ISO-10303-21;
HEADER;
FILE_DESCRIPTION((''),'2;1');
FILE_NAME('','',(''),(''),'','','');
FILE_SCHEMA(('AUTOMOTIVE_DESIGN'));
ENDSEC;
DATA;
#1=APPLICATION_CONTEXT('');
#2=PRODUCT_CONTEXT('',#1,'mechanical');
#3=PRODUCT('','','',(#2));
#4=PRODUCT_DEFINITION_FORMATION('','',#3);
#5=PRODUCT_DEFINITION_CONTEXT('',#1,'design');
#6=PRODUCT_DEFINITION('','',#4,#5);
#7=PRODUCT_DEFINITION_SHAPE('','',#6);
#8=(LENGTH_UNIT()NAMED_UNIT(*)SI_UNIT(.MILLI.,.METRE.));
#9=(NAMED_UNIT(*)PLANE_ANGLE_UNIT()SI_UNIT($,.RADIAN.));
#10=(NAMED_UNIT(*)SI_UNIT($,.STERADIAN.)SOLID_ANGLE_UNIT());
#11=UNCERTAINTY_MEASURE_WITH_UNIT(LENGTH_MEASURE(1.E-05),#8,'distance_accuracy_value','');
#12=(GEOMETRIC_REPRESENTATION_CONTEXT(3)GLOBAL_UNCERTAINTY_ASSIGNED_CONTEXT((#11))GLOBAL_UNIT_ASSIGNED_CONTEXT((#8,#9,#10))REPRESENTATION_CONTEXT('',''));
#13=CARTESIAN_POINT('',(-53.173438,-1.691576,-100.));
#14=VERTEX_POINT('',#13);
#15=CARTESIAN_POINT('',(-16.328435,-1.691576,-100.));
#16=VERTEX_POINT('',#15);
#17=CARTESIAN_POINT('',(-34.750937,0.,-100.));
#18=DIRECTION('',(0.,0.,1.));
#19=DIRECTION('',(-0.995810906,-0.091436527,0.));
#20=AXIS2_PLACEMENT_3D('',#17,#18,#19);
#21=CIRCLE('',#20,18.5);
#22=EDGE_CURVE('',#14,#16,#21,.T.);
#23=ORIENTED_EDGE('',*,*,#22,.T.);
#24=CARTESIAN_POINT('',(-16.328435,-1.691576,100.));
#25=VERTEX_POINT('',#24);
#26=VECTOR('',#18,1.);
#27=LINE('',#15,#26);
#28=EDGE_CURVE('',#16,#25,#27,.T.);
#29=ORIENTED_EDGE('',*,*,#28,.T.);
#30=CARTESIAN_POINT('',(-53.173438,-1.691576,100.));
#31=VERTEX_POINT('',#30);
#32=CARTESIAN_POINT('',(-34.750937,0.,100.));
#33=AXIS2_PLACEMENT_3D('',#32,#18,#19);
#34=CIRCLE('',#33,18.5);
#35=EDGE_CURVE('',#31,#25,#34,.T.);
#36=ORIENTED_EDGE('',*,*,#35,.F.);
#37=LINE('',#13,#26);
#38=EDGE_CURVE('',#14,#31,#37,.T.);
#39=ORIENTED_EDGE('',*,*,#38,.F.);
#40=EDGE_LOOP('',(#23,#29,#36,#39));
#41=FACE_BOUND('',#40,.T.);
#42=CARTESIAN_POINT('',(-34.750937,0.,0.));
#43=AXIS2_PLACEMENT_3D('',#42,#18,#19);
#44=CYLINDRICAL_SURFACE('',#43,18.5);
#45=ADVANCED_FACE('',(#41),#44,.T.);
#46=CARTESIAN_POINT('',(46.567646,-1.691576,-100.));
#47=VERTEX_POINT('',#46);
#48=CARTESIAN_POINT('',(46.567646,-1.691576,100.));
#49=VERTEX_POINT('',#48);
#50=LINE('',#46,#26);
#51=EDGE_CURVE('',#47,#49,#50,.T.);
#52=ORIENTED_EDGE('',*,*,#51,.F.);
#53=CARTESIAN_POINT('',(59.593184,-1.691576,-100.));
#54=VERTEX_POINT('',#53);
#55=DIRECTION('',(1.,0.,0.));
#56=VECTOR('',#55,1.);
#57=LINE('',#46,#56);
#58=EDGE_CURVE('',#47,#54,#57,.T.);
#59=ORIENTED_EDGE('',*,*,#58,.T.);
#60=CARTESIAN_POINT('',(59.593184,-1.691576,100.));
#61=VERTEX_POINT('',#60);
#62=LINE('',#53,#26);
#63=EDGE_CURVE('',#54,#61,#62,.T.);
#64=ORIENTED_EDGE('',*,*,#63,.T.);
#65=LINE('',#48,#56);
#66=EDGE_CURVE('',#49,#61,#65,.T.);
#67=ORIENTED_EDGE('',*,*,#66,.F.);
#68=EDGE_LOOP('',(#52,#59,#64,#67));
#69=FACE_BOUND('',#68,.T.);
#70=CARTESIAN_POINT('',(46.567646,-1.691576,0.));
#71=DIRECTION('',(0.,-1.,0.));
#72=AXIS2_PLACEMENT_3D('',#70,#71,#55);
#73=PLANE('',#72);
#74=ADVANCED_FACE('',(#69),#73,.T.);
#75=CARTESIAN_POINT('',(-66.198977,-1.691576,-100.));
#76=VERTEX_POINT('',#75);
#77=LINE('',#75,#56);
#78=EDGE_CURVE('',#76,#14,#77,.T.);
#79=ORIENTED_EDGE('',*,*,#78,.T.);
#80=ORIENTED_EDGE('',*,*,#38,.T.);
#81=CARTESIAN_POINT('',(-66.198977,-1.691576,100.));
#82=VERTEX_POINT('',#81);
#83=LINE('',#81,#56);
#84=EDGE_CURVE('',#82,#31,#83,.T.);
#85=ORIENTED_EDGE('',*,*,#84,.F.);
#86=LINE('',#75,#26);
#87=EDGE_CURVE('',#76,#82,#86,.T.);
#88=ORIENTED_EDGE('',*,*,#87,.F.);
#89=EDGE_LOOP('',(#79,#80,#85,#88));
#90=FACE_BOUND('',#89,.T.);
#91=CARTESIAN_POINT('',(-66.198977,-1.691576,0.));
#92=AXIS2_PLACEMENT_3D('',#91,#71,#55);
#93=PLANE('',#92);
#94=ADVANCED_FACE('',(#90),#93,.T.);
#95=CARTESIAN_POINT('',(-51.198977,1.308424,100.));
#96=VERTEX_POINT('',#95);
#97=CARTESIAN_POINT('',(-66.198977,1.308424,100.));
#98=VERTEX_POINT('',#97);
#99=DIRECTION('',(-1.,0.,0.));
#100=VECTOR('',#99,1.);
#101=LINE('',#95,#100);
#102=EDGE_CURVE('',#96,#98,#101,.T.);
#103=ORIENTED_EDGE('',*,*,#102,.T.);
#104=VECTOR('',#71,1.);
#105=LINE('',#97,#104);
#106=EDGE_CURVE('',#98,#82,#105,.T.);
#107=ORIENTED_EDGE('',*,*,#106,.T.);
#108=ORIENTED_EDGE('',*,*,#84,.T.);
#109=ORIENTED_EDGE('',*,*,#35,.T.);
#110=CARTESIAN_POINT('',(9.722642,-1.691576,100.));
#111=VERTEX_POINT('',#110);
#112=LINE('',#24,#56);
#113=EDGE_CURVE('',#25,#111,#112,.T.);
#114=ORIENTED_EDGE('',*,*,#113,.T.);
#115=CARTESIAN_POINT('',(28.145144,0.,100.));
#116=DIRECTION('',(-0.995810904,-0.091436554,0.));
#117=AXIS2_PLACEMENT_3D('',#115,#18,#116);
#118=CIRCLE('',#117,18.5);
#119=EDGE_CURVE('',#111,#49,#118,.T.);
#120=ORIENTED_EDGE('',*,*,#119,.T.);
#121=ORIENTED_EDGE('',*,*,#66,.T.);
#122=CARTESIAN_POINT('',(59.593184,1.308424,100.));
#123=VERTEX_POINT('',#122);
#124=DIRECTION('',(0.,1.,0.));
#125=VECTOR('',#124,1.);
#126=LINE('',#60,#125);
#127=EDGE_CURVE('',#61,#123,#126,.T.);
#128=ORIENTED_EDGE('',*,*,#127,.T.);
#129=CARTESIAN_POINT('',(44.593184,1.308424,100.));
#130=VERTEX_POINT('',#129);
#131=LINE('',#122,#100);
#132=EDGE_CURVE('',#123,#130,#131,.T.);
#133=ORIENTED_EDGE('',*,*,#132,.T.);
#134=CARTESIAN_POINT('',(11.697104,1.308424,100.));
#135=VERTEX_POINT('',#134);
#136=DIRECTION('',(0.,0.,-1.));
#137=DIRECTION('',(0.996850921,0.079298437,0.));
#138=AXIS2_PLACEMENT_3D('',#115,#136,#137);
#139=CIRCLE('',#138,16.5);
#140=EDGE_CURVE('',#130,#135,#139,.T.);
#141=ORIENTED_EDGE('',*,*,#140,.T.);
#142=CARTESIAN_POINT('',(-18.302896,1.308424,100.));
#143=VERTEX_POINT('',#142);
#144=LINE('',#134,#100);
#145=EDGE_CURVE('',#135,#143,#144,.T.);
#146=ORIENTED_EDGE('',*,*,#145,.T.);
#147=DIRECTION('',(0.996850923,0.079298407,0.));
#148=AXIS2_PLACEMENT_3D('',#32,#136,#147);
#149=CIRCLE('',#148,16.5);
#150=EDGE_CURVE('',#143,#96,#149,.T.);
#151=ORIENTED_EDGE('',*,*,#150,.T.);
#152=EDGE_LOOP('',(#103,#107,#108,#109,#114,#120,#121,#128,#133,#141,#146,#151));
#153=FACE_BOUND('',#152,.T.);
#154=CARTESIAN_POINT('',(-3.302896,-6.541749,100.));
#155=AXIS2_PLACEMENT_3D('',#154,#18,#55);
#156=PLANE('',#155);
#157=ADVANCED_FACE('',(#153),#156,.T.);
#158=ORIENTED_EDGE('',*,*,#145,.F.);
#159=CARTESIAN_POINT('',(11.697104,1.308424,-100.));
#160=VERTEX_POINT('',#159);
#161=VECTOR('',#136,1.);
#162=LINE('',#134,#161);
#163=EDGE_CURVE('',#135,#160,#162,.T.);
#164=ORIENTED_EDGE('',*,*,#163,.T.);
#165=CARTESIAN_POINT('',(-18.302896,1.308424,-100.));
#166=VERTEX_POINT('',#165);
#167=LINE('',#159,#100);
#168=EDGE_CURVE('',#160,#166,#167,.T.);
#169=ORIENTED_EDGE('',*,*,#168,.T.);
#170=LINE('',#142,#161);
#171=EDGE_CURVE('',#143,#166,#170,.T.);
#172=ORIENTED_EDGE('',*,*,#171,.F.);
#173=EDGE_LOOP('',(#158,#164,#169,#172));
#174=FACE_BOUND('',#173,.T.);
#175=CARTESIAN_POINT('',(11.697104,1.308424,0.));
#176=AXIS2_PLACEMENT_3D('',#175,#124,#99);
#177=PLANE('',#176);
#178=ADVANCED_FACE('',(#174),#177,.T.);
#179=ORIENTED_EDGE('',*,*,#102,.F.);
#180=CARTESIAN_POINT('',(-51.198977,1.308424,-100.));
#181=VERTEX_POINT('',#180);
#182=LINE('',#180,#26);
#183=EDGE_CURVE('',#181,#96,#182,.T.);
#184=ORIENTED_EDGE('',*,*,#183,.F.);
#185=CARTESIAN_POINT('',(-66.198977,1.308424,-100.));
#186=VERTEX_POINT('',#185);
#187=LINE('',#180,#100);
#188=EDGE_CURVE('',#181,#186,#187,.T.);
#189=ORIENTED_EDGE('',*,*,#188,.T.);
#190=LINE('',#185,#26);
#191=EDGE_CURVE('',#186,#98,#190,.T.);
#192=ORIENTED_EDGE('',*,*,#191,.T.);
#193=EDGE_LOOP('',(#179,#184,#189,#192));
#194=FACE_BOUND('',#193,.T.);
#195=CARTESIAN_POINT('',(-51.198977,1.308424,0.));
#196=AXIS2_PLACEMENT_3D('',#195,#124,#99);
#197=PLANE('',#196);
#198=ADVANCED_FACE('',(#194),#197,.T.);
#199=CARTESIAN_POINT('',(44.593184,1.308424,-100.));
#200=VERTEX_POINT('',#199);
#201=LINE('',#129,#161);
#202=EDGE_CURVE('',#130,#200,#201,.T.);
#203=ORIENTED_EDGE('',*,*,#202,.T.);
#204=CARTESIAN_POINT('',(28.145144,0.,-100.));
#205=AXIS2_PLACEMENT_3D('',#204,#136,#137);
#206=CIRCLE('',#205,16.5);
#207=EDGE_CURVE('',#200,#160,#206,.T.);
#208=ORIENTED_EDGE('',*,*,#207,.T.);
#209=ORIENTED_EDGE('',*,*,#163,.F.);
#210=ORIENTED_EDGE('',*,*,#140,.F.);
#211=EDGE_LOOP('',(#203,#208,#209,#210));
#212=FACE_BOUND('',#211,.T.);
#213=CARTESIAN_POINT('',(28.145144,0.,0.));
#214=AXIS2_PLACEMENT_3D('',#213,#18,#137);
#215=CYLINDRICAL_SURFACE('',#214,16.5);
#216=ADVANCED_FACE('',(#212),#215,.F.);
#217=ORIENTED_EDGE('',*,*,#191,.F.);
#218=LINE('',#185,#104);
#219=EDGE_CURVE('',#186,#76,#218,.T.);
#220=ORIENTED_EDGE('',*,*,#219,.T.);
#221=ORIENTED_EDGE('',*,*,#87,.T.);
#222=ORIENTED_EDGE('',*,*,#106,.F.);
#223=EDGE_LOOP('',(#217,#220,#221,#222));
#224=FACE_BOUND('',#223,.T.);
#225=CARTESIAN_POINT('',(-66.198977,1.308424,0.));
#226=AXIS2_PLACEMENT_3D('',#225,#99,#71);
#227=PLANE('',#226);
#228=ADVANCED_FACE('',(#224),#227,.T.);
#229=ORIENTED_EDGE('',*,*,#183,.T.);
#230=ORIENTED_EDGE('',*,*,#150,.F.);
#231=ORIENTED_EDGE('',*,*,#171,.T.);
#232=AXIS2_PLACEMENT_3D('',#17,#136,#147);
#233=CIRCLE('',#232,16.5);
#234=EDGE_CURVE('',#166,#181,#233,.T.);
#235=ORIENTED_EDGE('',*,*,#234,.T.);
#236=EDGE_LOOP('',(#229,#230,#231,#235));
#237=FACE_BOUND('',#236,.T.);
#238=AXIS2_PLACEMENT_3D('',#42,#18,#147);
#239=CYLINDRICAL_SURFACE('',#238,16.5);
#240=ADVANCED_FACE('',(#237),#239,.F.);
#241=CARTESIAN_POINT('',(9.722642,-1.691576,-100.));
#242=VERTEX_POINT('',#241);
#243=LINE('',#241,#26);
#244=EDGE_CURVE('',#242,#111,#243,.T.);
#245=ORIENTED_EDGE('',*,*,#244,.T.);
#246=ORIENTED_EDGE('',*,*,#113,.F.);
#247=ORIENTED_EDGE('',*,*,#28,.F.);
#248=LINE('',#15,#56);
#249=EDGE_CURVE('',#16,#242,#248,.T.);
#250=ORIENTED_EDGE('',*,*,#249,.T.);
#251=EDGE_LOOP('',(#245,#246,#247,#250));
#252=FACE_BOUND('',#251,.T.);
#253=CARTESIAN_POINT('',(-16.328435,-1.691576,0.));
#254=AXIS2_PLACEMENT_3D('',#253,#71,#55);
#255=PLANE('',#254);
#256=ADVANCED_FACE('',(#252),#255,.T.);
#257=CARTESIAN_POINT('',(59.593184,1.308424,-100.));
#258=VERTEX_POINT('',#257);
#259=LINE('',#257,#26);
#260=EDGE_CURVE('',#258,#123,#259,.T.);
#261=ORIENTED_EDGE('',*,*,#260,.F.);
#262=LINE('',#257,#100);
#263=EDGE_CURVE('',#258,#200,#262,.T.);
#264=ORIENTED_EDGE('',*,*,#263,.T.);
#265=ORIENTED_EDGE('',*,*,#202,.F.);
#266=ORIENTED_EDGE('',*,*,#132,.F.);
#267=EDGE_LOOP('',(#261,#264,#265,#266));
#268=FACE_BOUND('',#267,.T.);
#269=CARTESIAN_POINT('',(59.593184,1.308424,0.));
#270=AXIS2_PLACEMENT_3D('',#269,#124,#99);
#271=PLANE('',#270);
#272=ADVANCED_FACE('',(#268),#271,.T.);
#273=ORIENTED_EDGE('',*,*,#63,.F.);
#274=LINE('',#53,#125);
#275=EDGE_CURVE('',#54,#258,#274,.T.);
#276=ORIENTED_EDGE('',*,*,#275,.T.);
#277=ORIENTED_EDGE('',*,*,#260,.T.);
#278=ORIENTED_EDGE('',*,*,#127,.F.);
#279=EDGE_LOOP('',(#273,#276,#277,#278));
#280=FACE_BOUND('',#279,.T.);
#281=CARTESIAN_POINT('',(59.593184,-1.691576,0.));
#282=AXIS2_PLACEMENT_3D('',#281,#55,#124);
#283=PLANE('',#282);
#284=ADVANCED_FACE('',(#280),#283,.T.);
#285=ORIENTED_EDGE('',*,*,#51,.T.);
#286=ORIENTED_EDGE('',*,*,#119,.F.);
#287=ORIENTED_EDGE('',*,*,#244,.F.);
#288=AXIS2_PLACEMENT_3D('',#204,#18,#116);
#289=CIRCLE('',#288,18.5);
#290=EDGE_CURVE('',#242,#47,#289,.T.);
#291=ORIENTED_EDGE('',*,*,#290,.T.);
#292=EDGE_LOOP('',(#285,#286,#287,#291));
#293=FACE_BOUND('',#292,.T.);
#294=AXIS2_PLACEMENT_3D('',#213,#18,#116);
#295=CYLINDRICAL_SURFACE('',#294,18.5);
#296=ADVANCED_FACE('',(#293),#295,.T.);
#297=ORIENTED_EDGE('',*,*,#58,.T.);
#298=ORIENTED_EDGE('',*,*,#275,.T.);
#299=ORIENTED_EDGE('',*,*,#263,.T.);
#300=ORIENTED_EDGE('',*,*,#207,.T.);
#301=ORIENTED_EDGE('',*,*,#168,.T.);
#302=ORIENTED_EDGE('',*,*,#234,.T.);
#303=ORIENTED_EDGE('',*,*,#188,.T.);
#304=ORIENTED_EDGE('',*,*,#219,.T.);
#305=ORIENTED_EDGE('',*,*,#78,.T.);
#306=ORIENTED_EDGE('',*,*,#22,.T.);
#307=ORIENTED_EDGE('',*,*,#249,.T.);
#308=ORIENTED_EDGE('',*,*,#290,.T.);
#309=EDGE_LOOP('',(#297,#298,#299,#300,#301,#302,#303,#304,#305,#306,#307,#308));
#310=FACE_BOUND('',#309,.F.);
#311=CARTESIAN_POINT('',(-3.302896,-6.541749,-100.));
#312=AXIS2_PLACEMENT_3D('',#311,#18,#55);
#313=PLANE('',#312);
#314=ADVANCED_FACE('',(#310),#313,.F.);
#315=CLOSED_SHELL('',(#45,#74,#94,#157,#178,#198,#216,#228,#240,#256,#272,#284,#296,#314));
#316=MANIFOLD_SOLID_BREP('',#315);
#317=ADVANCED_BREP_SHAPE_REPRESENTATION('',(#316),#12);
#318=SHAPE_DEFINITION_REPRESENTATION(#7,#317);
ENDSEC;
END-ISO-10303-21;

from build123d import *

# Parameters (mm, degrees)
F1_DEPTH      = 100
F1_DEPTH_BACK = 100


with BuildPart() as f1:
    # F0 (on Top) → F1 (new body, two sides)
    with BuildSketch(Plane.XY) as f1_sk:
        with BuildLine():
            ThreePointArc((-18.302896, 1.308424), (-34.750936, -16.5), (-51.198977, 1.308424))
            Line((-51.198977, 1.308424), (-53.204609, 1.308424))
            Line((-53.204609, 1.308424), (-66.198977, 1.308424))
            Line((-66.198977, 1.308424), (-66.198977, -1.691576))
            Line((-66.198977, -1.691576), (-53.173438, -1.691576))
            ThreePointArc((-53.173438, -1.691576), (-34.750936, -18.5), (-16.328435, -1.691576))
            Line((-16.328435, -1.691576), (9.722642, -1.691576))
            ThreePointArc((9.722642, -1.691576), (28.145144, -18.5), (46.567646, -1.691576))
            Line((46.567646, -1.691576), (59.593184, -1.691576))
            Line((59.593184, -1.691576), (59.593184, 1.308424))
            Line((59.593184, 1.308424), (46.598816, 1.308424))
            Line((46.598816, 1.308424), (44.593184, 1.308424))
            ThreePointArc((44.593184, 1.308424), (28.145144, -16.5), (11.697104, 1.308424))
            Line((11.697104, 1.308424), (9.691472, 1.308424))
            Line((9.691472, 1.308424), (-16.297264, 1.308424))
            Line((-16.297264, 1.308424), (-18.302896, 1.308424))
        make_face()
    extrude(amount=F1_DEPTH)
    extrude(f1_sk.sketch, amount=-F1_DEPTH_BACK)


solid = f1.part
